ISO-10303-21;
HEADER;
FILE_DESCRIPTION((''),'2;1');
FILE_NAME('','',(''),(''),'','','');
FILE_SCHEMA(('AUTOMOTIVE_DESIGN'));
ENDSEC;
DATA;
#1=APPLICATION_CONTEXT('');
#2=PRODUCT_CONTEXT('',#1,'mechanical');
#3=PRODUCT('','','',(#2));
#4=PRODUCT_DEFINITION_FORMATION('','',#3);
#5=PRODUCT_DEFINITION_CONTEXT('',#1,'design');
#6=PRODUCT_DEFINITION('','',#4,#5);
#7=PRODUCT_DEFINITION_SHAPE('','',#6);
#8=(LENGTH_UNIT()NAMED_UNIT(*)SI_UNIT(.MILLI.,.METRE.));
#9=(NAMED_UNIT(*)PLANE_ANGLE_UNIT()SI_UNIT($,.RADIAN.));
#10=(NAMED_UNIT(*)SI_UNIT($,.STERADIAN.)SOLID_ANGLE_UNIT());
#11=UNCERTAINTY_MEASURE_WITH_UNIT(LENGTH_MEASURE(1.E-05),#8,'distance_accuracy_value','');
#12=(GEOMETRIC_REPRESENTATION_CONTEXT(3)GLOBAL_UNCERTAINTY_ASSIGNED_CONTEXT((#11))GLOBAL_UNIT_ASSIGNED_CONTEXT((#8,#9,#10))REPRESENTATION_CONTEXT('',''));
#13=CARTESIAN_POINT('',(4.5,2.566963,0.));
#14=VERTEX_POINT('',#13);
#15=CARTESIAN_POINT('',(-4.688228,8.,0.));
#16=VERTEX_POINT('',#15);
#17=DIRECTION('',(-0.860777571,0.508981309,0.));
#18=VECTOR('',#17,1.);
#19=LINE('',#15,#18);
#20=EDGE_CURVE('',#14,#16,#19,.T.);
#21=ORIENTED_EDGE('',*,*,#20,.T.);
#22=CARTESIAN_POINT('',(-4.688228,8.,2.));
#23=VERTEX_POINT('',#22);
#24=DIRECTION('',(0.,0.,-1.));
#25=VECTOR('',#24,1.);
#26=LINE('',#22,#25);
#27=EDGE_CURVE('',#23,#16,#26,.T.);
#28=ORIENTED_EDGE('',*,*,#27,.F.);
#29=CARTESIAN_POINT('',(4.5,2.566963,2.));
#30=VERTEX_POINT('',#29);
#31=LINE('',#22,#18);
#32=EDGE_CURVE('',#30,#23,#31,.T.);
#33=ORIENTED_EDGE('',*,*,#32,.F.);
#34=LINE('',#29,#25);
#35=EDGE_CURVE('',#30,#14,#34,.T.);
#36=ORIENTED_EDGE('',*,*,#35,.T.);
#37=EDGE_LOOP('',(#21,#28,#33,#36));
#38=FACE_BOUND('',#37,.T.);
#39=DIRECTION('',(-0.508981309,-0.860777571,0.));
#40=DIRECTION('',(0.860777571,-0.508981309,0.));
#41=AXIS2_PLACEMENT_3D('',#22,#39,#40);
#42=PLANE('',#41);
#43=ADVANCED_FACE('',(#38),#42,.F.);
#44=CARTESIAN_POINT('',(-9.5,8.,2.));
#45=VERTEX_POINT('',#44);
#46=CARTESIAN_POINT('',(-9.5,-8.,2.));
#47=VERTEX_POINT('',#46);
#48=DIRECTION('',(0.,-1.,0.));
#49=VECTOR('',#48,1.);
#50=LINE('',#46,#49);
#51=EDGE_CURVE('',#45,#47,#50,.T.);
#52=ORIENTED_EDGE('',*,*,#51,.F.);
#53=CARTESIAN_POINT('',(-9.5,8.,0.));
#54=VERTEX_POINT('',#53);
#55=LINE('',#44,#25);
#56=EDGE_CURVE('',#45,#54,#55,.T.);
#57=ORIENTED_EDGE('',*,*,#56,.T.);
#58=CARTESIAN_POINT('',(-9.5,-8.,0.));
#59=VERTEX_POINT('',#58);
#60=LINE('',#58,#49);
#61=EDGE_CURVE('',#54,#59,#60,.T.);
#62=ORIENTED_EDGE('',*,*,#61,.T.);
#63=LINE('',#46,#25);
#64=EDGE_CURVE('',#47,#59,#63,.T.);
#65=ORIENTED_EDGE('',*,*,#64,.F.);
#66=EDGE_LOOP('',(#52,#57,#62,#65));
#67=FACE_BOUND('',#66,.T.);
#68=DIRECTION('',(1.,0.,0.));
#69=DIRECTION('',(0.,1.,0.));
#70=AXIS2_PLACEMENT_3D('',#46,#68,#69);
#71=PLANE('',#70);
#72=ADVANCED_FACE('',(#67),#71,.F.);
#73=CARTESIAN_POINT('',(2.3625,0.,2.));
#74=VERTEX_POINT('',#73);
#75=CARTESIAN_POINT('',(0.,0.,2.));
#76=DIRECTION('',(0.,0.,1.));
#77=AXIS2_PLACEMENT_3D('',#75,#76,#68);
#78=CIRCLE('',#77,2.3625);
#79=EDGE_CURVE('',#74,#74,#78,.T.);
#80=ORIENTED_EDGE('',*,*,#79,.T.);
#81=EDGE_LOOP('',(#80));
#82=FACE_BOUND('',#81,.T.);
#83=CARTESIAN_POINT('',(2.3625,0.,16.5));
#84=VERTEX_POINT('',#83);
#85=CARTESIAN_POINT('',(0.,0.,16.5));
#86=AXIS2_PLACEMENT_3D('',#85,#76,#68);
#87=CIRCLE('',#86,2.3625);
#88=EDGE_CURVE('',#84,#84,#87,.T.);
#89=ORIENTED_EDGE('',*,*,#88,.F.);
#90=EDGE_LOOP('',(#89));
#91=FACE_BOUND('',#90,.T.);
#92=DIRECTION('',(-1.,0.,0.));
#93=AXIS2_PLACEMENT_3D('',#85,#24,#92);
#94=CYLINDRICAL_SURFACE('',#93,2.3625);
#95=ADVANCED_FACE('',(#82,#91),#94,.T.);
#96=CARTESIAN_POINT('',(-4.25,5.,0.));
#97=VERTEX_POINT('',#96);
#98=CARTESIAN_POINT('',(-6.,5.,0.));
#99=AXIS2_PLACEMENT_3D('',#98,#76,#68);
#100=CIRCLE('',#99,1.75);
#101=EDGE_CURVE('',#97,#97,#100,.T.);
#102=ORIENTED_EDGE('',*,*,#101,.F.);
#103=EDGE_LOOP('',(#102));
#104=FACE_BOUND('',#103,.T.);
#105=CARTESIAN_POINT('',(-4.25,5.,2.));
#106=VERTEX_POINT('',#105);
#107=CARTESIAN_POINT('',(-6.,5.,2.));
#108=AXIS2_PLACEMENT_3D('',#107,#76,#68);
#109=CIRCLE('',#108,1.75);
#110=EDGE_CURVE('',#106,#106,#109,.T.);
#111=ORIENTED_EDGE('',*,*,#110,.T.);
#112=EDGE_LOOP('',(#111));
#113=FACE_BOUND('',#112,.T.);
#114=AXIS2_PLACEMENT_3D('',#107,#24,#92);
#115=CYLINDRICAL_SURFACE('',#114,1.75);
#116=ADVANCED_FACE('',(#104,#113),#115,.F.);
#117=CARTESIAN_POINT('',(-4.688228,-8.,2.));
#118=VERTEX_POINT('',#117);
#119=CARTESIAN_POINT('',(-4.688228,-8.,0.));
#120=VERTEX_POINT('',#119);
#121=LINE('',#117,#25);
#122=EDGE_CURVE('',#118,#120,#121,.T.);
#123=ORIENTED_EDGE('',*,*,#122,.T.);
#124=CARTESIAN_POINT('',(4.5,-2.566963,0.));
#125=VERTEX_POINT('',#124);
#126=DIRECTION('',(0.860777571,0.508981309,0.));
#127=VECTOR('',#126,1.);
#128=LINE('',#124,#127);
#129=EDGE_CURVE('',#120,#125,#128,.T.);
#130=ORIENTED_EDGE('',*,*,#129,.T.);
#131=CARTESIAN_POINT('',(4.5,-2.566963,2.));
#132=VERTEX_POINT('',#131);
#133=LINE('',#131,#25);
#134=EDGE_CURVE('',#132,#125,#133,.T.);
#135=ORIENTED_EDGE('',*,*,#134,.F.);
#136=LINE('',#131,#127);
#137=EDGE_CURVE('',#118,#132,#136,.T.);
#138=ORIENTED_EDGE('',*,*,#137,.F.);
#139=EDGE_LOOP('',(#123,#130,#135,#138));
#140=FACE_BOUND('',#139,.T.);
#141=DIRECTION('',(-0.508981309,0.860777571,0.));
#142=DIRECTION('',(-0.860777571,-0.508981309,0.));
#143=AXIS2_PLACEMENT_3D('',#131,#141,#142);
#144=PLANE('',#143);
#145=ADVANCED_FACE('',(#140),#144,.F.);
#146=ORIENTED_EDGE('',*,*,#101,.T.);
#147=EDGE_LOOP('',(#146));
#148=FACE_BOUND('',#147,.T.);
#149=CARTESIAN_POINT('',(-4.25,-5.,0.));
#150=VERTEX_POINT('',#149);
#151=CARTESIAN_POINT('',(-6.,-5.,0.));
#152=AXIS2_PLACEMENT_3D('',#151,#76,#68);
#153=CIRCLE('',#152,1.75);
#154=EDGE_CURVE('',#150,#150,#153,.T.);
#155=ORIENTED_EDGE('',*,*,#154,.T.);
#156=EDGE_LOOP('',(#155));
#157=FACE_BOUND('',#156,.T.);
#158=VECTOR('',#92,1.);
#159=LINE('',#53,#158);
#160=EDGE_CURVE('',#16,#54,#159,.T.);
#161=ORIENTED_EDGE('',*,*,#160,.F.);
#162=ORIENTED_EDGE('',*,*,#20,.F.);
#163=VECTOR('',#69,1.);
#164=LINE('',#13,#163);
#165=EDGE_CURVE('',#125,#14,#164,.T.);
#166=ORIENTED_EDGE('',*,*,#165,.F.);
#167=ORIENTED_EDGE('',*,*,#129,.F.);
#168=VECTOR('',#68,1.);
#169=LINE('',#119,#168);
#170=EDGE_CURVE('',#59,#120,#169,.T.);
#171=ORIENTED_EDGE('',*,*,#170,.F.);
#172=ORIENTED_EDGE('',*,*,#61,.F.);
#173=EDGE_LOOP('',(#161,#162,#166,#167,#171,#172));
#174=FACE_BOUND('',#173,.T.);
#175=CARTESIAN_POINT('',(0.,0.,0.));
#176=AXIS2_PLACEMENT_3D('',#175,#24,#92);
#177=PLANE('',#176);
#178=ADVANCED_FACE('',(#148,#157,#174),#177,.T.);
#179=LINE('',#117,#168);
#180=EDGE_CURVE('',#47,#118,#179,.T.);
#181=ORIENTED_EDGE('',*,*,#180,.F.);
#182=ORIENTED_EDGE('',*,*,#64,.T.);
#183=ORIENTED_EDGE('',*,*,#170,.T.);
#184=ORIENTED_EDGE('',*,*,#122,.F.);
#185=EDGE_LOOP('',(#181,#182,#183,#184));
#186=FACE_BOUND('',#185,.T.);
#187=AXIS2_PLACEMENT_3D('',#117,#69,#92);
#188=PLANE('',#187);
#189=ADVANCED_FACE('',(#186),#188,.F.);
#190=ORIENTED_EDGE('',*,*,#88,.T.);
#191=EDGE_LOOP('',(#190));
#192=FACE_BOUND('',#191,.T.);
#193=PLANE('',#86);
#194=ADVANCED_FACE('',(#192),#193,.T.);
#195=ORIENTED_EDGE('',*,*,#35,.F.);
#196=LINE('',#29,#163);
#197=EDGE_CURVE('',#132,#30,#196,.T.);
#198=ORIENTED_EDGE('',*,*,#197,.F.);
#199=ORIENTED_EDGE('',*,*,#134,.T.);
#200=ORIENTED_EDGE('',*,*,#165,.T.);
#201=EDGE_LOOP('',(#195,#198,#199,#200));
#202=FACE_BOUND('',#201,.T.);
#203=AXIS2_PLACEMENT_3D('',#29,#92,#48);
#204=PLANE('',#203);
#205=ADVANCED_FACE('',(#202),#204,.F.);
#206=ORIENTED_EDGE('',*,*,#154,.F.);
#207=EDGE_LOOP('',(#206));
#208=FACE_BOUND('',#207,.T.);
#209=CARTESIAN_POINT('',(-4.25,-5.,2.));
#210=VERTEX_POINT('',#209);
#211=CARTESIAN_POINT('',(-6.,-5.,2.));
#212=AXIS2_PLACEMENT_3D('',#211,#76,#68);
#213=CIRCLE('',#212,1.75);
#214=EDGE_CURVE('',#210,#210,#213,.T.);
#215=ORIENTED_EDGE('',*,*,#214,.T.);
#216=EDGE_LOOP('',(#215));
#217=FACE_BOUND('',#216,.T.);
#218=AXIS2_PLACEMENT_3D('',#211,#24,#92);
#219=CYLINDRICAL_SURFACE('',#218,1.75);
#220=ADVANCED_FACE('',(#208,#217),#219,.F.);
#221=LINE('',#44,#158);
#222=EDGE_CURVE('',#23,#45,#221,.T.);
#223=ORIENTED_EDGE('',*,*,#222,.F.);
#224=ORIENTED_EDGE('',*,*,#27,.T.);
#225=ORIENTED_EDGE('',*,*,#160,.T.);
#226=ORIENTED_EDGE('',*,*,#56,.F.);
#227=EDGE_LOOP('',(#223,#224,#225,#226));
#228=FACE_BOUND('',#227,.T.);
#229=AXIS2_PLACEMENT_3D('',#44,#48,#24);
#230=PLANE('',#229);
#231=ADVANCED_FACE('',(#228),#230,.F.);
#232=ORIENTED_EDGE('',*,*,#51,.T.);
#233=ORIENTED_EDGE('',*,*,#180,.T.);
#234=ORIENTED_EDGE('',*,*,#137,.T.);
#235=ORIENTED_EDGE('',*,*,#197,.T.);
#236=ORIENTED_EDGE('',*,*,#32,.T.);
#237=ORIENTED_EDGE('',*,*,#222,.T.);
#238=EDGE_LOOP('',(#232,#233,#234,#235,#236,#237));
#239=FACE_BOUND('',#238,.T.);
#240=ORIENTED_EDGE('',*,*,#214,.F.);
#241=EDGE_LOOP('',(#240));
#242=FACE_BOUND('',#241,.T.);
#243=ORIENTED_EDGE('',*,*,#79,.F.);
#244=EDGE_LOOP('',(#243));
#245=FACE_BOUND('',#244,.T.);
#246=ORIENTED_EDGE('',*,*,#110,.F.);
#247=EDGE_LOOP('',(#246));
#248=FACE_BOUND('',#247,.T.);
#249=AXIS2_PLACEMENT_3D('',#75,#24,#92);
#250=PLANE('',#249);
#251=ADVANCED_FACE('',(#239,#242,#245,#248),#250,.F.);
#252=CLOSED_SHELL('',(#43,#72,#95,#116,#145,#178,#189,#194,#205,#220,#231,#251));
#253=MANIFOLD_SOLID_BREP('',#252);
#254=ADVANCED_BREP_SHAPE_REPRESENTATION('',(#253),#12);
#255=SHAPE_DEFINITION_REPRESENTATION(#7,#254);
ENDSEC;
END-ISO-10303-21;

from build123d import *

# Parameters (mm, degrees)
SKETCH1_R           = 1.75
SKETCH1_R_2         = 2.3625
BOSS_EXTRUDE1_DEPTH = 2
SKETCH1_2_R         = 2.3625
BOSS_EXTRUDE2_DEPTH = 16.5


with BuildPart() as part:
    # Sketch1 → Boss-Extrude1 (new body)
    with BuildSketch(Plane.XY):
        Polygon((-9.5, -8), (-9.5, 8), (-4.688228281, 8), (4.5, 2.566962921), (4.5, -2.566962921), (-4.688228281, -8), align=None)
        with Locations((-6, -5)):
            Circle(SKETCH1_R, mode=Mode.SUBTRACT)
        with Locations((-6, 5)):
            Circle(SKETCH1_R, mode=Mode.SUBTRACT)
        Circle(SKETCH1_R_2, mode=Mode.SUBTRACT)
    extrude(amount=BOSS_EXTRUDE1_DEPTH)

    # Sketch1<2> → Boss-Extrude2 (add)
    with BuildSketch(Plane.XY):
        Circle(SKETCH1_2_R)
    extrude(amount=BOSS_EXTRUDE2_DEPTH)


solid = part.part
